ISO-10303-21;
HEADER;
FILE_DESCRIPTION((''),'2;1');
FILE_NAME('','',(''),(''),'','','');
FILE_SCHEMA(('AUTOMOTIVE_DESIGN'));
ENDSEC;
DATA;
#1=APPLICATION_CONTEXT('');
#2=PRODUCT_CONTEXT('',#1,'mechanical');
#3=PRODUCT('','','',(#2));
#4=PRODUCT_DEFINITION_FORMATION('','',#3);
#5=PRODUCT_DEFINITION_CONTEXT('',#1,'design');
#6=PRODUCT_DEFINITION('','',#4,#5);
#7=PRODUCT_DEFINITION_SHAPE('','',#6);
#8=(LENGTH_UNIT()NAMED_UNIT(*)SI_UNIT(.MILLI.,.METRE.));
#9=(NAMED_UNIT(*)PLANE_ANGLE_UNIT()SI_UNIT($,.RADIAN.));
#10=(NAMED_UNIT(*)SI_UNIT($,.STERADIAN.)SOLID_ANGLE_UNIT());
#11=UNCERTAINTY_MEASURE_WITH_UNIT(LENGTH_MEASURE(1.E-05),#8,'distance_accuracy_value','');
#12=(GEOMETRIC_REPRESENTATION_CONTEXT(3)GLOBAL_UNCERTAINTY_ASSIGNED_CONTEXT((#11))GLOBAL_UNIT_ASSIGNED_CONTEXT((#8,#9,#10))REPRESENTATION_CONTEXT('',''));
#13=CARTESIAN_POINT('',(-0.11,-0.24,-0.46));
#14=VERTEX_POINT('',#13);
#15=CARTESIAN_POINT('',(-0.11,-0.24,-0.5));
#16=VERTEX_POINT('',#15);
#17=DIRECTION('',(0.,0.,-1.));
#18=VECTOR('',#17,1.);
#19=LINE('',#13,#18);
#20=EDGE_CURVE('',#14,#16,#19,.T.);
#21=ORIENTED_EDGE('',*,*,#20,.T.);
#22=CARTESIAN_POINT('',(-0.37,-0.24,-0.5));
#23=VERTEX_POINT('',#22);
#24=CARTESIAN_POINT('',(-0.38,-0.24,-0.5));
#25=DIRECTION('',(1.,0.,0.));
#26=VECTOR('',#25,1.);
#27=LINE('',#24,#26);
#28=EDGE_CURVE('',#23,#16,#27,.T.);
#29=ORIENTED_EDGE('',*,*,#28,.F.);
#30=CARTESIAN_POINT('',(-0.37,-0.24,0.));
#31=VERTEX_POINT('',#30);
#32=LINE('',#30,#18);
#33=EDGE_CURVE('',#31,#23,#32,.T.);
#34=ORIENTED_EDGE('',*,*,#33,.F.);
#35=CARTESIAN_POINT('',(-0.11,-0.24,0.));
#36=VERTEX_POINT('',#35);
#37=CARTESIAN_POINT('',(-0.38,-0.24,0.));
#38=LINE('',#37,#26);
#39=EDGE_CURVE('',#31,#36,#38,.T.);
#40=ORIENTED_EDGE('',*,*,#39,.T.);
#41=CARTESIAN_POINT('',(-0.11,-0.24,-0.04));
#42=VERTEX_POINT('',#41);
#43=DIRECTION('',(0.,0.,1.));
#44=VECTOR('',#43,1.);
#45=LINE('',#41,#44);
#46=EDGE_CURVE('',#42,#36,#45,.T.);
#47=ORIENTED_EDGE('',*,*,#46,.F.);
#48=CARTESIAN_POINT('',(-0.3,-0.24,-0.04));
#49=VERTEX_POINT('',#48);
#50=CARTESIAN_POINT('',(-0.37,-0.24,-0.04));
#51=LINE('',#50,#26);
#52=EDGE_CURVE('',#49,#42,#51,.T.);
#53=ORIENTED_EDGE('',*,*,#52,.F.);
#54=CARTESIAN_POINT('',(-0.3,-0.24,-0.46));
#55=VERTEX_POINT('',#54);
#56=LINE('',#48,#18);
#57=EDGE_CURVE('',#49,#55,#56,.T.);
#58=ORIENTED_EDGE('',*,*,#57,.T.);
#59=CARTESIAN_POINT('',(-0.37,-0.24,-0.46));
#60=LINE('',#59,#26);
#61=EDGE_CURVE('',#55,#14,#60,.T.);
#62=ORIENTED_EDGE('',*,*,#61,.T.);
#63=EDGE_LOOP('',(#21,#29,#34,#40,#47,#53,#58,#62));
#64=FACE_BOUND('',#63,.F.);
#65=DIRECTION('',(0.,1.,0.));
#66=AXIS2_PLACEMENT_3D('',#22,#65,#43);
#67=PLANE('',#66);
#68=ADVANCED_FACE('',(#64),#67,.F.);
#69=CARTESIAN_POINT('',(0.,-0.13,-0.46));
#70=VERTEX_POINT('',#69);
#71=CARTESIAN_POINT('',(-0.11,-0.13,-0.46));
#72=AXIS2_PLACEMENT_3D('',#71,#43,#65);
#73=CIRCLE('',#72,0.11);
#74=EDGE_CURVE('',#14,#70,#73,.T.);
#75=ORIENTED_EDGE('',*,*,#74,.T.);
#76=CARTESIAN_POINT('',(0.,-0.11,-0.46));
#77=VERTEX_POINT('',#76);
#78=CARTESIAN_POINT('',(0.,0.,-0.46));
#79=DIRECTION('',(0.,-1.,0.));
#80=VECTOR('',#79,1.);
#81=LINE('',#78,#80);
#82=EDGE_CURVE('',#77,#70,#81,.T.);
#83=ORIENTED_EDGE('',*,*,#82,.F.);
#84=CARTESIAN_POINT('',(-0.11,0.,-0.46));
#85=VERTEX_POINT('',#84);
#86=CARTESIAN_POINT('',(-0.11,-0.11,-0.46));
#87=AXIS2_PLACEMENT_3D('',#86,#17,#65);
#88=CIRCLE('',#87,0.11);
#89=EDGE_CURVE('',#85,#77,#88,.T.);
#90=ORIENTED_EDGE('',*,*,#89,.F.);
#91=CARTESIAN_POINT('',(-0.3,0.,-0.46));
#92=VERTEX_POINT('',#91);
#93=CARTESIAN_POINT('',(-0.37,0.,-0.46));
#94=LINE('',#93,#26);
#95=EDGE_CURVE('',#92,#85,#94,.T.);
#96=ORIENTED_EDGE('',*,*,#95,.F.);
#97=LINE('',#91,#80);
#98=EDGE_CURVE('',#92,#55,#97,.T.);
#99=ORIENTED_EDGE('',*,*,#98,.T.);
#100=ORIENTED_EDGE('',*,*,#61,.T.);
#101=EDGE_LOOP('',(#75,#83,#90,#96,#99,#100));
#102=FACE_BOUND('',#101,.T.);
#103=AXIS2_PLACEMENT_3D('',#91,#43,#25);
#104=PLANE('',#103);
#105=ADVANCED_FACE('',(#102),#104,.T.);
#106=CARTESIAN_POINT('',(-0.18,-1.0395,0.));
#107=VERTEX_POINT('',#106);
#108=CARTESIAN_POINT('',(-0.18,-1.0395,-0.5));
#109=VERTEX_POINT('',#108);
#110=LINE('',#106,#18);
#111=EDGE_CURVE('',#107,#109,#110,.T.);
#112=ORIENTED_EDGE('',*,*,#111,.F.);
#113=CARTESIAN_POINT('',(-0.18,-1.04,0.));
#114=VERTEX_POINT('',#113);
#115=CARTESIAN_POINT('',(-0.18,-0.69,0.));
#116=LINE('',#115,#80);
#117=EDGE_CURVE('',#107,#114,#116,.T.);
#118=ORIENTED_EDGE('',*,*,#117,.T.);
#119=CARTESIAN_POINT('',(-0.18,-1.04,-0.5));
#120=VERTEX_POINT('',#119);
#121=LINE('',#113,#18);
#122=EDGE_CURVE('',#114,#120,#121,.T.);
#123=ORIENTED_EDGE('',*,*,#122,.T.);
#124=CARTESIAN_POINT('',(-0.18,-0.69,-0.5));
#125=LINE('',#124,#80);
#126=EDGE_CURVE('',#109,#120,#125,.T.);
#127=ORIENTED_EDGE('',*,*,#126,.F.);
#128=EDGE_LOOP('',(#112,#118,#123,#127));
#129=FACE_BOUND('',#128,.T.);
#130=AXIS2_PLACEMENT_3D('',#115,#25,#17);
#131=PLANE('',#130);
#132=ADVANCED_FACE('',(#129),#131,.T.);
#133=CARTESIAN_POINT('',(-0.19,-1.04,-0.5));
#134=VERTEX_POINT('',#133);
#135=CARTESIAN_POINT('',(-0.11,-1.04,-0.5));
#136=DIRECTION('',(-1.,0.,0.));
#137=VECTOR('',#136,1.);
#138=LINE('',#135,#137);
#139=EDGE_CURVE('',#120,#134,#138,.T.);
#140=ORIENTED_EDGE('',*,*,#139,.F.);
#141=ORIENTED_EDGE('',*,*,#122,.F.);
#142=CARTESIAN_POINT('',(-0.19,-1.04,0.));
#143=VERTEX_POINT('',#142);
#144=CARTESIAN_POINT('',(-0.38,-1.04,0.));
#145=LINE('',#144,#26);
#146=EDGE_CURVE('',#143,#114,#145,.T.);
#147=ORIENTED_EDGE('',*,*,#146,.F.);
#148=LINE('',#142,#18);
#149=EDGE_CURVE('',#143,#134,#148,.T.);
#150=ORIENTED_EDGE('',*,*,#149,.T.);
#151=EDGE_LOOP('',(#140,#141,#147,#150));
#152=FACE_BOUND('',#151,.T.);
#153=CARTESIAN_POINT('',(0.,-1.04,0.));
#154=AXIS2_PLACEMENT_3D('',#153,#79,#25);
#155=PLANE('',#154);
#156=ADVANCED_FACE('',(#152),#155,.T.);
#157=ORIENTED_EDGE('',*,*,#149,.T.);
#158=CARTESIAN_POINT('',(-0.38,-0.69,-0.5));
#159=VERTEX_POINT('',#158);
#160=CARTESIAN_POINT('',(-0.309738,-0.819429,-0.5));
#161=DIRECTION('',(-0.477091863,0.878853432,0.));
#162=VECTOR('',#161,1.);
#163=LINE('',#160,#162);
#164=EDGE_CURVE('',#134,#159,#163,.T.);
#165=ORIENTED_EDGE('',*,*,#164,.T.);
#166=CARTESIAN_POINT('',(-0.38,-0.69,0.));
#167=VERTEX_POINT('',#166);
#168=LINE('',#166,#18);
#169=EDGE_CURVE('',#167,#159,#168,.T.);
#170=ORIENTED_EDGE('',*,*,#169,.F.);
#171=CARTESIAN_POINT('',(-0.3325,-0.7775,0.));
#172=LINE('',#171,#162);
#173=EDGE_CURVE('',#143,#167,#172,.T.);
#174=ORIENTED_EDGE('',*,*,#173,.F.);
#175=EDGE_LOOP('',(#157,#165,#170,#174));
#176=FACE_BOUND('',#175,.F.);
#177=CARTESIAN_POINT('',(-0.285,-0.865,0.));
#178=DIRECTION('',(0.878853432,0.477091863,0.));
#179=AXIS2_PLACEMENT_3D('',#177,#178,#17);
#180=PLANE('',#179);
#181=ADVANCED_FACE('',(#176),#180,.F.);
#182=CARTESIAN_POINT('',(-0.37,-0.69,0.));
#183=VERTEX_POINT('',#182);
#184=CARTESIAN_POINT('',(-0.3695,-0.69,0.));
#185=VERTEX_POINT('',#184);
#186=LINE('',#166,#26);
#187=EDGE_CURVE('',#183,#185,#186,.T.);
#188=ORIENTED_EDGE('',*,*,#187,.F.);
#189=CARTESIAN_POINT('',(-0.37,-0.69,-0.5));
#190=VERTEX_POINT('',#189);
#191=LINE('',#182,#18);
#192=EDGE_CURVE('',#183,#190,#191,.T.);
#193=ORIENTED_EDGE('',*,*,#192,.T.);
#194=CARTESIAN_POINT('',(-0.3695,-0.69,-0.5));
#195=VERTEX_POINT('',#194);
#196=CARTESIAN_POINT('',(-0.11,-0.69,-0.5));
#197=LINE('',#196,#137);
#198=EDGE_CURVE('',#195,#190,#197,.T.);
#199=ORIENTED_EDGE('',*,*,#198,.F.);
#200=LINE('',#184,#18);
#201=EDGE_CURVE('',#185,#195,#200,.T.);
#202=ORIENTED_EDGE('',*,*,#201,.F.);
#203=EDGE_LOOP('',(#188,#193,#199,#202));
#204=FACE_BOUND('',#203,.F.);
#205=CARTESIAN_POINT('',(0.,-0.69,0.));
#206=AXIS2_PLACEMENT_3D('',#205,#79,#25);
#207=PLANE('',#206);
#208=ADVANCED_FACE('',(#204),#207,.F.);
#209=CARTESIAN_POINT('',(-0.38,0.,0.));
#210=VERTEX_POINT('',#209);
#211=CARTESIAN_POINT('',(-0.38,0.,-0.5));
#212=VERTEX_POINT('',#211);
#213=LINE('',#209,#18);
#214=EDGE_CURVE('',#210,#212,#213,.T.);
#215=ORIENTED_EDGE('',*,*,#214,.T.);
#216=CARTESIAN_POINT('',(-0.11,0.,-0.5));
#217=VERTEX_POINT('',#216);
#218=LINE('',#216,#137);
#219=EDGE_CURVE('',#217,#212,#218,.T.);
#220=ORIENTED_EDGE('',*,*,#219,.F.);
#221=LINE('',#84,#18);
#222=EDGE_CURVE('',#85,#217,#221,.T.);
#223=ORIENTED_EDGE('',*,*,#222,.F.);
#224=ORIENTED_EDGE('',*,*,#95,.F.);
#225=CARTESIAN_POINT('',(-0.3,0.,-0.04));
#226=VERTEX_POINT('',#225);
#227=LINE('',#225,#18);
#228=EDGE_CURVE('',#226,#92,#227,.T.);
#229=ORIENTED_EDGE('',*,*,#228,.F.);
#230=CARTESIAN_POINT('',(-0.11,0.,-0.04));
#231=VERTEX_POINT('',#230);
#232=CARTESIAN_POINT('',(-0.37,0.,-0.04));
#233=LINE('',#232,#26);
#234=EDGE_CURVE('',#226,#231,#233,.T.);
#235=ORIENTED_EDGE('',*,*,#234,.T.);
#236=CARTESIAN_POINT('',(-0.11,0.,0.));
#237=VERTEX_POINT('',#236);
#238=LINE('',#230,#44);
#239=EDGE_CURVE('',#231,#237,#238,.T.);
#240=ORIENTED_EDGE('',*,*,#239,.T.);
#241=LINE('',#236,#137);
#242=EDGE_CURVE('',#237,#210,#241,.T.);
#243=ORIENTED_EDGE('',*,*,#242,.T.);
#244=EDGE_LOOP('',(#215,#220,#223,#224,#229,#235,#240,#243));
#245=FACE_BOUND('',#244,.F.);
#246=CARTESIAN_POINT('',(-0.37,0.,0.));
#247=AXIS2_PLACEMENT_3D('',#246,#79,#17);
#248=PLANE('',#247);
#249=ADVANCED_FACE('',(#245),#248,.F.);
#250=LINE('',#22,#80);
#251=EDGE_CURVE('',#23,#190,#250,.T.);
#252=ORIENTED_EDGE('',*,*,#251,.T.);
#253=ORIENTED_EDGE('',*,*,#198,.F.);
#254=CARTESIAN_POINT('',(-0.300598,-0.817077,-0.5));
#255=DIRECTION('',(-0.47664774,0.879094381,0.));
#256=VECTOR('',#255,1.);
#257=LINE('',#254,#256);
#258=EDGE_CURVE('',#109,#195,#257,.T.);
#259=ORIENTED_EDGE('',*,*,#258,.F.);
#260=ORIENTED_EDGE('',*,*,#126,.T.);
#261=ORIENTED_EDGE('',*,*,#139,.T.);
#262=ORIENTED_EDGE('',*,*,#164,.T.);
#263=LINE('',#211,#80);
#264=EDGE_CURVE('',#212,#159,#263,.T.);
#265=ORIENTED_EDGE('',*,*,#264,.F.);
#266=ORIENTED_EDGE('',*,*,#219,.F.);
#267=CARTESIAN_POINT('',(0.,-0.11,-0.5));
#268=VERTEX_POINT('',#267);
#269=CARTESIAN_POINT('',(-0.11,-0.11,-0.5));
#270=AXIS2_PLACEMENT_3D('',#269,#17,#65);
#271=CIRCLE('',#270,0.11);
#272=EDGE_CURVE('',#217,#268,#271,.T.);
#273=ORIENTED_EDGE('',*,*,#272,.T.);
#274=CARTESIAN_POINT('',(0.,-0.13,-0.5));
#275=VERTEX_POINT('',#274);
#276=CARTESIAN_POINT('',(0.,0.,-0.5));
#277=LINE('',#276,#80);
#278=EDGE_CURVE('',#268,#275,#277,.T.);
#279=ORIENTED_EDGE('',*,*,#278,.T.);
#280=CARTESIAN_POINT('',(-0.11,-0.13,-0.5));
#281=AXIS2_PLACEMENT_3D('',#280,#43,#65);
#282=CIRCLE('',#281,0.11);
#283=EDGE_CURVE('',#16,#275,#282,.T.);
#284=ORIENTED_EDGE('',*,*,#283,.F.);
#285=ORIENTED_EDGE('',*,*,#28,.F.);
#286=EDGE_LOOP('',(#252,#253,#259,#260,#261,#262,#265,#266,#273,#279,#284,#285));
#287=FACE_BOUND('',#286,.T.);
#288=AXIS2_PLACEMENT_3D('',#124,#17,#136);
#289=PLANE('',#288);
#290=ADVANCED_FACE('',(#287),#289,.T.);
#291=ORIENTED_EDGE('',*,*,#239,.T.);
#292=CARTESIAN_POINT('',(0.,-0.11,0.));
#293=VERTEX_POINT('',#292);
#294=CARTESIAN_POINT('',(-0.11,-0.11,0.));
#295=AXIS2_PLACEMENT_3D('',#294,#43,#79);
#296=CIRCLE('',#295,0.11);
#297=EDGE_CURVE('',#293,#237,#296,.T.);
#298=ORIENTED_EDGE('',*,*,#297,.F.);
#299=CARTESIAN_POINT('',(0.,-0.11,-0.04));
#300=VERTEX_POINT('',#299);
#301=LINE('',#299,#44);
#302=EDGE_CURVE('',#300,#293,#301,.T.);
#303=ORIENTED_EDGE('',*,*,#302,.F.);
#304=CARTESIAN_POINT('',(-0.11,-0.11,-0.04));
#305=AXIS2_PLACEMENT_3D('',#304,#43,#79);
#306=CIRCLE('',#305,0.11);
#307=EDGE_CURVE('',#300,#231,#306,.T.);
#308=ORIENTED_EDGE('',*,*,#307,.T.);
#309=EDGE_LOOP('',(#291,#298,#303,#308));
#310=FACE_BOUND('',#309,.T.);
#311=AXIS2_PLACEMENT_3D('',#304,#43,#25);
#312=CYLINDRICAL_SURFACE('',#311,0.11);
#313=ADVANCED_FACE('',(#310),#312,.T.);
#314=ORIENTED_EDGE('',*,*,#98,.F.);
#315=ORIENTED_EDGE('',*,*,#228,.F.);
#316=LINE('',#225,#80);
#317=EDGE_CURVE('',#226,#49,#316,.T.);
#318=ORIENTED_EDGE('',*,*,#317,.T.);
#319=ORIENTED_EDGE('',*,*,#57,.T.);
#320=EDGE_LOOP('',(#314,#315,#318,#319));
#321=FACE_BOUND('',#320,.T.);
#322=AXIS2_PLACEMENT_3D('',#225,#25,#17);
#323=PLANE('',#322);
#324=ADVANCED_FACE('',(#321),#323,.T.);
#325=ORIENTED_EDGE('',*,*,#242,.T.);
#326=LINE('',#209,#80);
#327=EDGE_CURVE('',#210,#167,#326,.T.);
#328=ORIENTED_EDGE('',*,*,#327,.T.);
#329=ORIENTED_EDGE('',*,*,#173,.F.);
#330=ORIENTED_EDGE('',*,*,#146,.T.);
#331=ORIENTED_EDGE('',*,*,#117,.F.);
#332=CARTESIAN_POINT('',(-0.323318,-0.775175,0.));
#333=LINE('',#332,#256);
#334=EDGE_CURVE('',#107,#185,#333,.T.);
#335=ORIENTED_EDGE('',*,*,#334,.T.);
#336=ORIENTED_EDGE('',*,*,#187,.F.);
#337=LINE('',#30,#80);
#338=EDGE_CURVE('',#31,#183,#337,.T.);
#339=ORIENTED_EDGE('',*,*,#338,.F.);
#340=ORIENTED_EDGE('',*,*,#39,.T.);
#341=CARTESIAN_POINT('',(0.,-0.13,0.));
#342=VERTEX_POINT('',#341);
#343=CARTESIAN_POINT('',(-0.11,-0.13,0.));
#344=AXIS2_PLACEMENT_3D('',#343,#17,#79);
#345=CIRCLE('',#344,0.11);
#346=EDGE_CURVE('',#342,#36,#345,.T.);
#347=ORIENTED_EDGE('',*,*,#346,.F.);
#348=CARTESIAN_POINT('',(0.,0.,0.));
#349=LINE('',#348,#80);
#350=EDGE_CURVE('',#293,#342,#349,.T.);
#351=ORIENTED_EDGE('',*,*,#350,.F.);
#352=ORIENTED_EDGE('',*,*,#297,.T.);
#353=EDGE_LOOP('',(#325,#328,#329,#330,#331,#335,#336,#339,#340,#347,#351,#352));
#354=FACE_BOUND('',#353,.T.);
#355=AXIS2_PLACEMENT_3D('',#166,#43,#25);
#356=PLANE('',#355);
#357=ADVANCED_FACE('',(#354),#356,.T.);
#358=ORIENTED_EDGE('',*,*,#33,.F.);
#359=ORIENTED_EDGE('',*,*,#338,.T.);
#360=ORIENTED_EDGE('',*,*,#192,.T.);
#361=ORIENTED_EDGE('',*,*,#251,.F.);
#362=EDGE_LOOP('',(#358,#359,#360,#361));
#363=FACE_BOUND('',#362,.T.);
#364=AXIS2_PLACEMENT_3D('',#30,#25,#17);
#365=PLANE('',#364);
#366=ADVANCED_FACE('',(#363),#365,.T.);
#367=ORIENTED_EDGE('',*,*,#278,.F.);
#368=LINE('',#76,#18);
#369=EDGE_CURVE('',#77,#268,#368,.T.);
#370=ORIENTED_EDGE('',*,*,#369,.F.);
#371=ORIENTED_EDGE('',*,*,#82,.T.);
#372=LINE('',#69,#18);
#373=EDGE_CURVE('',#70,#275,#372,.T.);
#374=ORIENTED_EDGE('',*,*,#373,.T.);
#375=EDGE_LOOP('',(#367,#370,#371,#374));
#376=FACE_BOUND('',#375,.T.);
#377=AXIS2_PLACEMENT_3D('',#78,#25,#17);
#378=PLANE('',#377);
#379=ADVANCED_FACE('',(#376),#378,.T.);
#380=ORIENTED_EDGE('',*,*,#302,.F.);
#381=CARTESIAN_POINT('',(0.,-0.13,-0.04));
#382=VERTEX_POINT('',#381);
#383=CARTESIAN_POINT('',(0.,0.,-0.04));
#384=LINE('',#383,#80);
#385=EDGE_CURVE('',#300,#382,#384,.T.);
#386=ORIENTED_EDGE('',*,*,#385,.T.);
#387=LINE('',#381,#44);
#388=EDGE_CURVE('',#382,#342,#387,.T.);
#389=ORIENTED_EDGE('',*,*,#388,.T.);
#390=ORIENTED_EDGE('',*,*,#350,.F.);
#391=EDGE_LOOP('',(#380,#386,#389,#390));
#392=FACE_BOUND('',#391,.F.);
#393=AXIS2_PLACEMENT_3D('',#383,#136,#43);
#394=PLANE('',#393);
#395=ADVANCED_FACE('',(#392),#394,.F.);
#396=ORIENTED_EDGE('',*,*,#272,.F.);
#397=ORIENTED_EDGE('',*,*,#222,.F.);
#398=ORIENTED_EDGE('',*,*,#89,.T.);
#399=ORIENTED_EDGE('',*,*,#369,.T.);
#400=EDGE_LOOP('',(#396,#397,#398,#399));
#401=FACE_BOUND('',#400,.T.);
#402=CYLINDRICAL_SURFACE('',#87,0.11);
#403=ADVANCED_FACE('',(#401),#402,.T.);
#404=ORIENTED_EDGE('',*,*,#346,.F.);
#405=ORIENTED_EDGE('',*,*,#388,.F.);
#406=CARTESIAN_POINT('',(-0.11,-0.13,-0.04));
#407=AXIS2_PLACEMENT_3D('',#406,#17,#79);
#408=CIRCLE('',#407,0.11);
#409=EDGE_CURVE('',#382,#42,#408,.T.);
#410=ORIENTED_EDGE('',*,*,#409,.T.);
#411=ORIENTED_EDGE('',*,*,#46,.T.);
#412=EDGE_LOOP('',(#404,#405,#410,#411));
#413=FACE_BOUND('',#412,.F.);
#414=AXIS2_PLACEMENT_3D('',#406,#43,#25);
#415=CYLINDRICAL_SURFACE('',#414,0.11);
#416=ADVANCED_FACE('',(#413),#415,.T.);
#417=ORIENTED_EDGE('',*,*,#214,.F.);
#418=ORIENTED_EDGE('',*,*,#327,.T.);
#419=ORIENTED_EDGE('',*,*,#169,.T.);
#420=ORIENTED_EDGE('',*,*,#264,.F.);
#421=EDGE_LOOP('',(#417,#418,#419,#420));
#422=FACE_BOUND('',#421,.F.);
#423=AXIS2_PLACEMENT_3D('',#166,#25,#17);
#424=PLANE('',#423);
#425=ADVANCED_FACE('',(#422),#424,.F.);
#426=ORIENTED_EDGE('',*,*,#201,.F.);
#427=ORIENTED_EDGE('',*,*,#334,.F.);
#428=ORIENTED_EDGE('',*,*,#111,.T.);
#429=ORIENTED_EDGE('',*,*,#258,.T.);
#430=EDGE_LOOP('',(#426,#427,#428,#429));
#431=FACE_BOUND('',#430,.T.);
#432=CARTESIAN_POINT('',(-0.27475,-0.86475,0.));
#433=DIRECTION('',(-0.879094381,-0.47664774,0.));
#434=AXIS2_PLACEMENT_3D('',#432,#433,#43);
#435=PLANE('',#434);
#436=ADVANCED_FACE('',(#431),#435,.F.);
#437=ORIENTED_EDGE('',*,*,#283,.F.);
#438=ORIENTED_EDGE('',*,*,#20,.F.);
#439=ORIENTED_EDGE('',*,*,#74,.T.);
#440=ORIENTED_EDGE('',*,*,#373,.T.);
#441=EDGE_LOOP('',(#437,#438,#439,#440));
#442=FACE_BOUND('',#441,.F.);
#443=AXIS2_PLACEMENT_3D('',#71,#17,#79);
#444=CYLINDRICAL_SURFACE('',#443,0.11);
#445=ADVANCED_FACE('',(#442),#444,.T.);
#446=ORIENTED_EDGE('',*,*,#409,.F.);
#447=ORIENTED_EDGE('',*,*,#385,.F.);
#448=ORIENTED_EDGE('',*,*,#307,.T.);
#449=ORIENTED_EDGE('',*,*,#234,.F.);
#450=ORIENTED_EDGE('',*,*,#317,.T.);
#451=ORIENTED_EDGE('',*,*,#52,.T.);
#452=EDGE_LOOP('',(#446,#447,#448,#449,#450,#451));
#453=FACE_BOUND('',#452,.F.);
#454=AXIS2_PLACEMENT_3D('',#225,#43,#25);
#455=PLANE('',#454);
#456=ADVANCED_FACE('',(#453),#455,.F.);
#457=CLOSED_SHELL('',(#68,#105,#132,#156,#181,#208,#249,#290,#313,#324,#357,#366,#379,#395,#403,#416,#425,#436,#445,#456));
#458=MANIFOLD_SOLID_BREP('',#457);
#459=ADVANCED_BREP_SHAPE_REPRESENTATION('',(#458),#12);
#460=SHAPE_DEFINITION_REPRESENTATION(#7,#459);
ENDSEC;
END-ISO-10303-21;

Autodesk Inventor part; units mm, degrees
ref_plane "YZ Plane" through (0, 0, 0) normal (1, 0, 0) x (0, 1, 0)
ref_plane "XZ Plane" through (0, 0, 0) normal (0, 1, 0) x (-1, 0, 0)
ref_plane "XY Plane" through (0, 0, 0) normal (0, 0, 1) x (1, 0, 0)
sketch "スケッチ1" plane through (0, 0, 0) normal (0, 1, 0) x (-1, 0, 0)
  line L0 (0, 0) -> (0.37, 0)
  line L1 (0.37, 0) -> (0.37, -0.04)
  line L2 (0.37, -0.04) -> (0, -0.04)
  line L3 (0, -0.04) -> (0, 0)
  line L4 (0.37, -0.04) -> (0.3, -0.04)
  line L5 (0.3, -0.04) -> (0.3, -0.46)
  line L6 (0.3, -0.46) -> (0.37, -0.46)
  line L7 (0.37, -0.46) -> (0.37, -0.04)
  line L8 (0.37, -0.46) -> (0, -0.46)
  line L9 (0, -0.46) -> (0, -0.5)
  line L10 (0, -0.5) -> (0.37, -0.5)
  line L11 (0.37, -0.5) -> (0.37, -0.46)
  dimension "d2" = 0.37
  dimension "d3" = 0.04
  dimension "d4" = 0.07
  dimension "d5" = 0.42
  dimension "d6" = 0.04
extrude "押し出し1" add sketch "スケッチ1" against normal blind 0.24
sketch "スケッチ2" plane through (0, -0.24, 0) normal (0, -1, 0) x (1, 0, 0)
  point P0 (0, 0)
sketch "スケッチ3" plane through (0, -0.24, 0) normal (0, -1, 0) x (1, 0, 0)
  point P0 (0, 0)
sketch "スケッチ4" plane through (0, -0.24, 0) normal (0, -1, 0) x (1, 0, 0)
  point P0 (0, 0)
fillet "フィレット1" radius 0.11 4 edges at (0, -0.24, -0.48) (0, 0, -0.48) (0, -0.24, -0.02) (0, 0, -0.02)
sketch "スケッチ5" plane through (-0.37, 0, -0.5) normal (-1, 0, 0) x (0, 0, 1)
  line L0 (0.5, 0) -> (0.5, -0.24) projected
  line L1 (0, 0) -> (0, -0.24) projected
  line L2 (0.5, 0) -> (0, 0)
  line L3 (0, 0) -> (0, -0.24)
  line L4 (0, -0.24) -> (0.5, -0.24)
  line L5 (0.5, -0.24) -> (0.5, 0)
extrude "押し出し2" add sketch "スケッチ5" along normal blind 0.01
sketch "スケッチ6" plane through (0, -0.24, 0) normal (0, -1, 0) x (1, 0, 0)
  line L0 (-0.38, -0.5) -> (-0.38, 0) projected
  line L1 (-0.11, -0.5) -> (-0.38, -0.5) projected
  line L2 (-0.38, 0) -> (-0.37, 0)
  line L3 (-0.37, 0) -> (-0.37, -0.5)
  line L4 (-0.37, -0.5) -> (-0.38, -0.5)
  line L5 (-0.38, -0.5) -> (-0.38, 0)
  point P0 (0, 0)
  dimension "d12" = 0.01
extrude "押し出し3" add sketch "スケッチ6" along normal blind 0.45
sketch "スケッチ7" plane through (0, -0.69, 0) normal (0, -1, 0) x (1, 0, 0)
  line L0 (-0.38, 0) -> (-0.38, -0.5) projected
  line L1 (-0.11, -0.5) -> (-0.38, -0.5) projected
  line L2 (-0.38, 0) -> (-0.18, 0)
  line L3 (-0.18, 0) -> (-0.18, -0.5)
  line L4 (-0.18, -0.5) -> (-0.38, -0.5)
  line L5 (-0.38, -0.5) -> (-0.38, 0)
  point P0 (0, 0)
  dimension "d15" = 0.2
extrude "押し出し4" add sketch "スケッチ7" along normal blind 0.35
sketch "スケッチ8" plane through (-0.38, 0, 0) normal (0, 0, 1) x (1, 0, 0)
  point P0 (0.38, 0)
sketch "スケッチ9" plane through (-0.38, 0, 0) normal (0, 0, 1) x (1, 0, 0)
  point P0 (0.38, 0)
sketch "スケッチ10" plane through (-0.38, 0, 0) normal (0, 0, 1) x (1, 0, 0)
  point P0 (0.38, 0)
chamfer "面取り1" distance 0.19 distance2 0.35 1 edges at (-0.38, -1.04, -0.25) measured on face at (-0.2467, -1.04, -0.3333)
chamfer "面取り2" distance 0.35 distance2 0.19 1 edges at (-0.18, -0.69, -0.25) measured on face at (-0.18, -0.8067, -0.3333)
properties part number "CRANEHAND"
